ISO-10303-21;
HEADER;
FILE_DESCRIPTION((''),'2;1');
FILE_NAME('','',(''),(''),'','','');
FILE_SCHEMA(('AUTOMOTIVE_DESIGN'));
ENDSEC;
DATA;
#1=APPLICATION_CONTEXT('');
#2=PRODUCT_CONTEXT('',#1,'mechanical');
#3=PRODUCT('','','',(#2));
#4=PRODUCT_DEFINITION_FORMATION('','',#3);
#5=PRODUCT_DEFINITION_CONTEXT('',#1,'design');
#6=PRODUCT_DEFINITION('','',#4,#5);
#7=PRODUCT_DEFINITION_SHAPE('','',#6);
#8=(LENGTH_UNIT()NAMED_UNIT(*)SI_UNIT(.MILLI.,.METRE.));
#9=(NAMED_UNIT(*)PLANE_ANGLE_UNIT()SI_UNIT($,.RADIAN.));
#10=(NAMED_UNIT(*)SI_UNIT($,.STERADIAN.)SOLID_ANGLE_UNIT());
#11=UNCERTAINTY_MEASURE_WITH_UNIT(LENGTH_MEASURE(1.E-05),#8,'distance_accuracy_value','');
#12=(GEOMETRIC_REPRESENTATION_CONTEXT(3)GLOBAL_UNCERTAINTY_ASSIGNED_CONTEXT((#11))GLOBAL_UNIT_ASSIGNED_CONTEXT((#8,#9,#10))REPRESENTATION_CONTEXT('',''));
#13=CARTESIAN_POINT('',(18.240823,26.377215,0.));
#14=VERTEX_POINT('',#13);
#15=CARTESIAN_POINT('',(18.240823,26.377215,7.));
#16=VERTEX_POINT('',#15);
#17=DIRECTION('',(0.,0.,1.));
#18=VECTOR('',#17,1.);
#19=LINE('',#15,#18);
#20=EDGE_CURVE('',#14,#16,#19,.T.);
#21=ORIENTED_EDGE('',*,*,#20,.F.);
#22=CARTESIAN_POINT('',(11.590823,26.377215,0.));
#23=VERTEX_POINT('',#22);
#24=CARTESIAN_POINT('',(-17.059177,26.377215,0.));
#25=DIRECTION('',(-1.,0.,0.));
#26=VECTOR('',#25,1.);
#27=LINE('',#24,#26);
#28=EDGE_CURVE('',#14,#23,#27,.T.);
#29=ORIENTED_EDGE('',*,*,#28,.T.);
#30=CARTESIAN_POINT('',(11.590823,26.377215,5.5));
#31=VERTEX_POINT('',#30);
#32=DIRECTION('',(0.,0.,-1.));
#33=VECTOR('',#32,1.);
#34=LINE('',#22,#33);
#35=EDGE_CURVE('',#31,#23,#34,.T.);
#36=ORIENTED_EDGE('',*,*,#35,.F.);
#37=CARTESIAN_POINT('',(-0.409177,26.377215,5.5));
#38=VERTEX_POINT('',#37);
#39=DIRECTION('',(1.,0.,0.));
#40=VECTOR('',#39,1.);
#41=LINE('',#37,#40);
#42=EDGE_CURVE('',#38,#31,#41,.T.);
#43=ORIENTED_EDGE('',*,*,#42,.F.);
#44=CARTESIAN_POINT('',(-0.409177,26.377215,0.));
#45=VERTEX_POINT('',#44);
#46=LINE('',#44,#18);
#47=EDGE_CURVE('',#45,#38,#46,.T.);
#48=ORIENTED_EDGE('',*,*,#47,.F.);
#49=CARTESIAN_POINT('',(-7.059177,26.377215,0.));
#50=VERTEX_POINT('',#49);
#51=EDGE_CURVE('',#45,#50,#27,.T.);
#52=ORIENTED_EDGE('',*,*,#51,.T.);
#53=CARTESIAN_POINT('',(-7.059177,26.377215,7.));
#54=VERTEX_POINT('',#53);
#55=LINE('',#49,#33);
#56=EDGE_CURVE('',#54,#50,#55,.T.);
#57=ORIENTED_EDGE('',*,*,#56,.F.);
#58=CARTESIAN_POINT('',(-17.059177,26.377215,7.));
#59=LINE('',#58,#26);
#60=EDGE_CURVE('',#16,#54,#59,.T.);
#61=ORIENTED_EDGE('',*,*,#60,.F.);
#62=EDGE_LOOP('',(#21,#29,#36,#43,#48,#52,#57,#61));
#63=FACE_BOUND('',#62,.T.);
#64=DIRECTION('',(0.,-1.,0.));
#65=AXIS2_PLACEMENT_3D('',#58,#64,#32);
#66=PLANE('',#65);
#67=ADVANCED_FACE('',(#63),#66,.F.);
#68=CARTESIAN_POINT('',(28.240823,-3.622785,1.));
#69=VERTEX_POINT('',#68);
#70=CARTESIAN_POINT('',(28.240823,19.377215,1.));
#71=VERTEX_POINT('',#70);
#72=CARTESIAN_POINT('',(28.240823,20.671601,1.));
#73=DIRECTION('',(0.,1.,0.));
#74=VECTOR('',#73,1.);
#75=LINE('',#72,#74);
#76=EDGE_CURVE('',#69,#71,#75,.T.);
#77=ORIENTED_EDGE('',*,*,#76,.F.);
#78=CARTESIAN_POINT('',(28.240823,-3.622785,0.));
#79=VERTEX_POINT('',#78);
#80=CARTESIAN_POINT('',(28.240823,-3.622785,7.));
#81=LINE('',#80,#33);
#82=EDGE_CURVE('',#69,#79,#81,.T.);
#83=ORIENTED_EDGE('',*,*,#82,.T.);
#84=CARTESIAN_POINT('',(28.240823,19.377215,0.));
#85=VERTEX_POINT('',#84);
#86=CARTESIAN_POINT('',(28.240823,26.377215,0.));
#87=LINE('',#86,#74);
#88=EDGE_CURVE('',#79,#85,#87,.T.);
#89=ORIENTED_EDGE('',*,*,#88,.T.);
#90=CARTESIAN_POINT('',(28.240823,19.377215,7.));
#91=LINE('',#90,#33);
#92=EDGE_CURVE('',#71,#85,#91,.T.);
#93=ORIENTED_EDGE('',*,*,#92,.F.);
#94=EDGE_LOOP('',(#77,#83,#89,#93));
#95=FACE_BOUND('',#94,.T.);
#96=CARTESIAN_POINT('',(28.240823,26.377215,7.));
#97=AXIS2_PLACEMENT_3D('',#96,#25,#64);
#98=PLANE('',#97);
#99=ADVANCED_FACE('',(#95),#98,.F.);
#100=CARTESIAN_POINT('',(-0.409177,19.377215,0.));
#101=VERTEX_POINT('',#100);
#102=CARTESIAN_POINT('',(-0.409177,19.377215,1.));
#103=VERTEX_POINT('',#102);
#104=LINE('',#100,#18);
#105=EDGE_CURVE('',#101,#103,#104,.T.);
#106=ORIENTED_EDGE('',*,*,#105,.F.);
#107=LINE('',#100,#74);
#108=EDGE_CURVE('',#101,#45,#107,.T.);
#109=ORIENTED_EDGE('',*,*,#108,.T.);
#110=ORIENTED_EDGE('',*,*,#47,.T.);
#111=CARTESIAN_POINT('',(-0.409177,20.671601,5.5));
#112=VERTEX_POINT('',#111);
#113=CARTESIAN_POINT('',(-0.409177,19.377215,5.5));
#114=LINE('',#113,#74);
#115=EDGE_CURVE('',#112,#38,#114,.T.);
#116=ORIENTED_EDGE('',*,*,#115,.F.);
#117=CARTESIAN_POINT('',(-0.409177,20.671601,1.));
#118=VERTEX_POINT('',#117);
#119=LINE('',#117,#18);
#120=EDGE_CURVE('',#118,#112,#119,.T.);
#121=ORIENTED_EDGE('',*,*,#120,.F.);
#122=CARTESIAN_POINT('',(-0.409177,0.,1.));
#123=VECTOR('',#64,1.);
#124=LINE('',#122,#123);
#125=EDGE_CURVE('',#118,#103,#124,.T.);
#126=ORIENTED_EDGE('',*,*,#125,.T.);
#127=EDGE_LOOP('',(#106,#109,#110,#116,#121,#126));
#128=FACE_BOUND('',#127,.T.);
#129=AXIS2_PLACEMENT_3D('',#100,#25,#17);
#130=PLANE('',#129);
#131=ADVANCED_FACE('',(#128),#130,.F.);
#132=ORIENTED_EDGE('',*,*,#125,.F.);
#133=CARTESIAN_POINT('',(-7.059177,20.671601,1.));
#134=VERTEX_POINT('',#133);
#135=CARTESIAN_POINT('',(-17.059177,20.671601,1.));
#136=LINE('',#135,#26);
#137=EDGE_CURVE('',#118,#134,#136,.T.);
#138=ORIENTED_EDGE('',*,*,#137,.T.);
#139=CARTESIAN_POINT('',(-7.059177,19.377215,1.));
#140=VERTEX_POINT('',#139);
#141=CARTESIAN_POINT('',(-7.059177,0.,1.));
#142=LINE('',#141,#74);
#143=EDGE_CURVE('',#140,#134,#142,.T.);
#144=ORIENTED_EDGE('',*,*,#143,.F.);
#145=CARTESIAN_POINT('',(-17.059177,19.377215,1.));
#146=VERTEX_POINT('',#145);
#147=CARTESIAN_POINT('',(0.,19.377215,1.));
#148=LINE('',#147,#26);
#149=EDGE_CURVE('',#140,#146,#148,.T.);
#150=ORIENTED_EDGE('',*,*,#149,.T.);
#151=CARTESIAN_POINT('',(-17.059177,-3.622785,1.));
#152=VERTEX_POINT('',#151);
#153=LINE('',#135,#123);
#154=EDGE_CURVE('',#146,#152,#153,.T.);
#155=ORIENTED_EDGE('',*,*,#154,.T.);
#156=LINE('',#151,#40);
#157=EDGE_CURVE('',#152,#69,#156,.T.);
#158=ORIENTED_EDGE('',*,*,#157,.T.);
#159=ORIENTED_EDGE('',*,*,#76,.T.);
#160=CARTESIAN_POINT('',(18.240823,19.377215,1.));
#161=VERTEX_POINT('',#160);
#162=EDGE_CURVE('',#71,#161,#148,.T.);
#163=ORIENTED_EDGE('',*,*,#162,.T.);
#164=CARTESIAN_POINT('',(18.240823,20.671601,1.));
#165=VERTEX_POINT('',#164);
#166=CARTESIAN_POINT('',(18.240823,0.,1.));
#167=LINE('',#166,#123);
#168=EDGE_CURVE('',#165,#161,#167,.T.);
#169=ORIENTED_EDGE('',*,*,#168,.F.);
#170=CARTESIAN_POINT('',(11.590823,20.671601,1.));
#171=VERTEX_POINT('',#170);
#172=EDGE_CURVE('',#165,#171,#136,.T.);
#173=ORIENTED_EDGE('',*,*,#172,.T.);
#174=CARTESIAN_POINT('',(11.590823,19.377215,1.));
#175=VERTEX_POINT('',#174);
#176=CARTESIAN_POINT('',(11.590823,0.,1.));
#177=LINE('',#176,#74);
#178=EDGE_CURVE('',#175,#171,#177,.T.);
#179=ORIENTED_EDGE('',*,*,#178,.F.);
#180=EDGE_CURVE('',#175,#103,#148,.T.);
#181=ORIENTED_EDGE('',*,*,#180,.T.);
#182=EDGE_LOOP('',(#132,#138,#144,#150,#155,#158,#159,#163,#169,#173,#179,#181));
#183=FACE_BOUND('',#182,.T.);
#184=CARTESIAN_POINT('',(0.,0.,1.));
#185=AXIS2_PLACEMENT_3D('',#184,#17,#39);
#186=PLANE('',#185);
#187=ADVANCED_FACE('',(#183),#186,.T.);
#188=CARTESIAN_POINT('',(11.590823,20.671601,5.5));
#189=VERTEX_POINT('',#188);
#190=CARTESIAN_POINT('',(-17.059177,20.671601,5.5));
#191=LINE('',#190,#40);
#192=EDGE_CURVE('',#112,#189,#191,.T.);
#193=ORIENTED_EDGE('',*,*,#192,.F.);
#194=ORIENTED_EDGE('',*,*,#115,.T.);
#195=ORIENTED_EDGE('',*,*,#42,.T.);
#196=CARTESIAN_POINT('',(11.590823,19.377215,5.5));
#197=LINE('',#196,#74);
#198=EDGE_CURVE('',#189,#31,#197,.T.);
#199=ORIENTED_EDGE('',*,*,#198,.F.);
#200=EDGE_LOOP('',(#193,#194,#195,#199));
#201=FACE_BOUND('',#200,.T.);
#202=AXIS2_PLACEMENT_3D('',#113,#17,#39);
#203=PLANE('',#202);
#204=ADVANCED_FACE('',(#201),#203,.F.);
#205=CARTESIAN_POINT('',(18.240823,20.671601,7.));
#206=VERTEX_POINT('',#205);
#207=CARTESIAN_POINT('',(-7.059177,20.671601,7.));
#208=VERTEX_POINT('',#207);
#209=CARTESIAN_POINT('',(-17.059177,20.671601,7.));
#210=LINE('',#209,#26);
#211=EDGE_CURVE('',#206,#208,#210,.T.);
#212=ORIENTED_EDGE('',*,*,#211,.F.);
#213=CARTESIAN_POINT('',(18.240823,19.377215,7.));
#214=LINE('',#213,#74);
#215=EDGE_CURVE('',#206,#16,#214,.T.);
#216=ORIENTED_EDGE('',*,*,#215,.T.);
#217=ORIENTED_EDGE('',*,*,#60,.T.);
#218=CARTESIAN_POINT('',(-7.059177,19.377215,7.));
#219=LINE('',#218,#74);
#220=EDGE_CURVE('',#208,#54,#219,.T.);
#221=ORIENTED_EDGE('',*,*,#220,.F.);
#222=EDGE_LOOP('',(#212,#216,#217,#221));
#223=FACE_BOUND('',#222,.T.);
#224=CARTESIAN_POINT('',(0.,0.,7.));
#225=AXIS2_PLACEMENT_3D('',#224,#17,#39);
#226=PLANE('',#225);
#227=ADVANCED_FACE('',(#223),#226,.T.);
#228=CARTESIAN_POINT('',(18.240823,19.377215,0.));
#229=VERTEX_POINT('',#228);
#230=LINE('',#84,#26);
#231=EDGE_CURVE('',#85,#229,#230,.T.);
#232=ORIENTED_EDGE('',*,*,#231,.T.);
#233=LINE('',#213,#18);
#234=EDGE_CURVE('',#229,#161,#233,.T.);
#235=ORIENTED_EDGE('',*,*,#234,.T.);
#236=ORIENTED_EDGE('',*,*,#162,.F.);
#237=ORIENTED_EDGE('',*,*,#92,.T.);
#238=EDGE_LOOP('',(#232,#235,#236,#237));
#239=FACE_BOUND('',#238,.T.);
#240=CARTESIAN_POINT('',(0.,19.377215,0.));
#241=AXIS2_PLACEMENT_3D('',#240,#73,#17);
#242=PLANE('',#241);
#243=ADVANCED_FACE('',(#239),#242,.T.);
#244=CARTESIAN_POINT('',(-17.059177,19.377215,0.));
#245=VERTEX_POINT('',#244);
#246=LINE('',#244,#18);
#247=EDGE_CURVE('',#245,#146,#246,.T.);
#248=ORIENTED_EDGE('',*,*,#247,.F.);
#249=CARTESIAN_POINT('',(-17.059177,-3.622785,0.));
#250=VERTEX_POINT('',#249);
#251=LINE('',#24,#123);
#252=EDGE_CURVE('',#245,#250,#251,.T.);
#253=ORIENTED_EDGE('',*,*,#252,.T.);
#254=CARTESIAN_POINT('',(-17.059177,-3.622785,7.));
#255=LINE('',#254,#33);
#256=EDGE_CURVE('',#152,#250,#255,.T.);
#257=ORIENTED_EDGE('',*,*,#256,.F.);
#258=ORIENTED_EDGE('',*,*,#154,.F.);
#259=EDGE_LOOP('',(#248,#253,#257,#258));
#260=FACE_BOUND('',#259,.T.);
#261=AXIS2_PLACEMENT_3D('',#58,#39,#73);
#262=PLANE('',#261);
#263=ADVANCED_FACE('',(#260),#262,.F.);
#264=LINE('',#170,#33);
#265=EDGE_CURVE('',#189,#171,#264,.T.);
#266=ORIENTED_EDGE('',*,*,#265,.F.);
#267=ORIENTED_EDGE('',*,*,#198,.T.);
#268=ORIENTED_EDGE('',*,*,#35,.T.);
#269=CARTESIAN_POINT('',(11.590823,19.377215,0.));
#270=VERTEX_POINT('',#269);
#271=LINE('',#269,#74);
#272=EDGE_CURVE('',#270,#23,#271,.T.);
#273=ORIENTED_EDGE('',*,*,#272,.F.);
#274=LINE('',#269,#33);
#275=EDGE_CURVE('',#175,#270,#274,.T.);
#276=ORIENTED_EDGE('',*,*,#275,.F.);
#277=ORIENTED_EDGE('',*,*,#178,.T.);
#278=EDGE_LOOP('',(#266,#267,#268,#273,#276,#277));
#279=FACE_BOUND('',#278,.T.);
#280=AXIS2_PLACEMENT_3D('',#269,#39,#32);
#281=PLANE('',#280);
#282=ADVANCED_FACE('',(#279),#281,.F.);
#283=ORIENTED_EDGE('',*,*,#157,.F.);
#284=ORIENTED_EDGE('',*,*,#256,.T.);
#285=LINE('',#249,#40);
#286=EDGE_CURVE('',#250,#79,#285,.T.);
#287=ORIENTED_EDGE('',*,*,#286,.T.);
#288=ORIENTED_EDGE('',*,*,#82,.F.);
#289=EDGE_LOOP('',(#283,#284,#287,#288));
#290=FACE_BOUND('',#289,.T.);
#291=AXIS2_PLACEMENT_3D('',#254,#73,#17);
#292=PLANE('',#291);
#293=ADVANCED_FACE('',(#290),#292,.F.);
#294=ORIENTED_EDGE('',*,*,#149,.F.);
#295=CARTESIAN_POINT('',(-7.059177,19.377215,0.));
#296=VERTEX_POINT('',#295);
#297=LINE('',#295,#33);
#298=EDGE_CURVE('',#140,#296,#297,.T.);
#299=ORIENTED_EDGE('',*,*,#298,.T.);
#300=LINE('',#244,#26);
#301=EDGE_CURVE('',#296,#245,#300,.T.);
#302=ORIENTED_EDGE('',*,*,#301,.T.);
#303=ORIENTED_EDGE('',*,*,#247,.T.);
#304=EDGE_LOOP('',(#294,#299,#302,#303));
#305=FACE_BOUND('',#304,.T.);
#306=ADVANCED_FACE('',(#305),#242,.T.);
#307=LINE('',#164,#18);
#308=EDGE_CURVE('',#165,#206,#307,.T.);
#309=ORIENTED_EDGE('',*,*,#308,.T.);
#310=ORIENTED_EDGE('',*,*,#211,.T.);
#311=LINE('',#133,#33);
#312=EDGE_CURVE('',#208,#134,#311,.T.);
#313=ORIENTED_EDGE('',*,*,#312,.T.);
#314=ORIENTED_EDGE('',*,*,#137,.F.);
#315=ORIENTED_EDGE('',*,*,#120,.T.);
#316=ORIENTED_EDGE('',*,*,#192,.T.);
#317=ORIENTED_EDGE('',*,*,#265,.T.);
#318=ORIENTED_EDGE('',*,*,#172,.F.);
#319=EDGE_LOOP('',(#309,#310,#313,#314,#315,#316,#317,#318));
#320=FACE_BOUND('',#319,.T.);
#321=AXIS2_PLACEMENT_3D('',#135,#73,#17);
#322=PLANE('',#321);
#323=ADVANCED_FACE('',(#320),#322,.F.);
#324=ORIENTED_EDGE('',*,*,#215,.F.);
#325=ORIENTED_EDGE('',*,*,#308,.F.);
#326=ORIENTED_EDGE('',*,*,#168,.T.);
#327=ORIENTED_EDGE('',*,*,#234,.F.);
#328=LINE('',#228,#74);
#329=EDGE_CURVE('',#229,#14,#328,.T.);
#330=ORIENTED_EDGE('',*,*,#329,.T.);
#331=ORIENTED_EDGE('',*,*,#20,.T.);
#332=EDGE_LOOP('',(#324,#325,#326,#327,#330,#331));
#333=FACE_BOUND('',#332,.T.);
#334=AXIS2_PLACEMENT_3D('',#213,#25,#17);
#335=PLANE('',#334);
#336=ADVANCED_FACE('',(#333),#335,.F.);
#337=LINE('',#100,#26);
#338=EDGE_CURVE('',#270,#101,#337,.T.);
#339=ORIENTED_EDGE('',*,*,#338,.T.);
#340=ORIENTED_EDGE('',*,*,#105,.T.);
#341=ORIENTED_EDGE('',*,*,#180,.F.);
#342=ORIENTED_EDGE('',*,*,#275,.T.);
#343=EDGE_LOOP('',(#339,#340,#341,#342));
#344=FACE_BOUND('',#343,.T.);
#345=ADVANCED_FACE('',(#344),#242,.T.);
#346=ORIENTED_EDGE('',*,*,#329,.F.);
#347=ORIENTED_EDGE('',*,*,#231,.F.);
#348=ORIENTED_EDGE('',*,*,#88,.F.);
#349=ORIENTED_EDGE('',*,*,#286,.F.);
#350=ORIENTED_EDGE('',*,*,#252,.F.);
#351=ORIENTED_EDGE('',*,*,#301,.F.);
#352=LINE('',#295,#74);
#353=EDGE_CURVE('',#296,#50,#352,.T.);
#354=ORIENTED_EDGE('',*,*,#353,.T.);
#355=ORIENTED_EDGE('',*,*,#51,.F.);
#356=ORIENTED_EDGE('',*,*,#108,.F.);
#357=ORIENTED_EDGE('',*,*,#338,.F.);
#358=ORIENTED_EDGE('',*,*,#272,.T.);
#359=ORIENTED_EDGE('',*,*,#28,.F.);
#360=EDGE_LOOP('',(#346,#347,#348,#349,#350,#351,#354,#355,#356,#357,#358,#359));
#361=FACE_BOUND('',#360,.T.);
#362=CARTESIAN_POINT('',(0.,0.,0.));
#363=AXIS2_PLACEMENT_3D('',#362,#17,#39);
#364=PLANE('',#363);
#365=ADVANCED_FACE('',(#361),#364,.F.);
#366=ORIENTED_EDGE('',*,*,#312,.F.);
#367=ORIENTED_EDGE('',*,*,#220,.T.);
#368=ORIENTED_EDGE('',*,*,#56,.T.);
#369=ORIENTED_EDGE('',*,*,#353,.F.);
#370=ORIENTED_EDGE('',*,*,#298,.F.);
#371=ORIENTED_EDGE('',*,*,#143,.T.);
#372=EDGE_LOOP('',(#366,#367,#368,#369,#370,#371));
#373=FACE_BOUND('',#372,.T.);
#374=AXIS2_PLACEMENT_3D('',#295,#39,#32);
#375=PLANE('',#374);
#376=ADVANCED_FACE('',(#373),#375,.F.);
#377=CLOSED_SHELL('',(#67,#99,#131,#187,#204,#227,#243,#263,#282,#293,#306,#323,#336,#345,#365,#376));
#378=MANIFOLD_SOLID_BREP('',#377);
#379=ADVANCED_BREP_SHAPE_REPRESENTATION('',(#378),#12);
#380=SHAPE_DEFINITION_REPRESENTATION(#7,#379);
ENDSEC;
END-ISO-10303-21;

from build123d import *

# Parameters (mm, degrees)
SKETCH1_W           = 45.3
SKETCH1_H           = 30
BOSS_EXTRUDE1_DEPTH = 7
SKETCH2_W           = 45.3
SKETCH2_H           = 24.294385672
CUT_EXTRUDE1_DEPTH  = 6
SKETCH5_W           = 12
SKETCH5_H           = 5.5
SKETCH5_W_2         = 10
SKETCH5_H_2         = 7
CUT_EXTRUDE2_DEPTH  = 7


with BuildPart() as part:
    # Sketch1 → Boss-Extrude1 (new body)
    with BuildSketch(Plane.XY):
        with Locations((5.590822785, 11.37721519)):
            Rectangle(SKETCH1_W, SKETCH1_H)
    extrude(amount=BOSS_EXTRUDE1_DEPTH)

    # Sketch2 → Cut-Extrude1 (cut)
    with BuildSketch(Plane.XY.offset(7)):
        with Locations((5.590822785, 8.524408026)):
            Rectangle(SKETCH2_W, SKETCH2_H)
    extrude(amount=-CUT_EXTRUDE1_DEPTH, mode=Mode.SUBTRACT)

    # Sketch5 → Cut-Extrude2 (cut)
    with BuildSketch(Plane(origin=(0, 26.37721519, 0), x_dir=(1, 0, 0), z_dir=(0, 1, 0))):
        with Locations((5.590822785, -2.75)):
            Rectangle(SKETCH5_W, SKETCH5_H)
        with Locations((-12.059177215, -3.5)):
            Rectangle(SKETCH5_W_2, SKETCH5_H_2)
        with Locations((23.240822785, -3.5)):
            Rectangle(SKETCH5_W_2, SKETCH5_H_2)
    extrude(amount=-CUT_EXTRUDE2_DEPTH, mode=Mode.SUBTRACT)


solid = part.part
